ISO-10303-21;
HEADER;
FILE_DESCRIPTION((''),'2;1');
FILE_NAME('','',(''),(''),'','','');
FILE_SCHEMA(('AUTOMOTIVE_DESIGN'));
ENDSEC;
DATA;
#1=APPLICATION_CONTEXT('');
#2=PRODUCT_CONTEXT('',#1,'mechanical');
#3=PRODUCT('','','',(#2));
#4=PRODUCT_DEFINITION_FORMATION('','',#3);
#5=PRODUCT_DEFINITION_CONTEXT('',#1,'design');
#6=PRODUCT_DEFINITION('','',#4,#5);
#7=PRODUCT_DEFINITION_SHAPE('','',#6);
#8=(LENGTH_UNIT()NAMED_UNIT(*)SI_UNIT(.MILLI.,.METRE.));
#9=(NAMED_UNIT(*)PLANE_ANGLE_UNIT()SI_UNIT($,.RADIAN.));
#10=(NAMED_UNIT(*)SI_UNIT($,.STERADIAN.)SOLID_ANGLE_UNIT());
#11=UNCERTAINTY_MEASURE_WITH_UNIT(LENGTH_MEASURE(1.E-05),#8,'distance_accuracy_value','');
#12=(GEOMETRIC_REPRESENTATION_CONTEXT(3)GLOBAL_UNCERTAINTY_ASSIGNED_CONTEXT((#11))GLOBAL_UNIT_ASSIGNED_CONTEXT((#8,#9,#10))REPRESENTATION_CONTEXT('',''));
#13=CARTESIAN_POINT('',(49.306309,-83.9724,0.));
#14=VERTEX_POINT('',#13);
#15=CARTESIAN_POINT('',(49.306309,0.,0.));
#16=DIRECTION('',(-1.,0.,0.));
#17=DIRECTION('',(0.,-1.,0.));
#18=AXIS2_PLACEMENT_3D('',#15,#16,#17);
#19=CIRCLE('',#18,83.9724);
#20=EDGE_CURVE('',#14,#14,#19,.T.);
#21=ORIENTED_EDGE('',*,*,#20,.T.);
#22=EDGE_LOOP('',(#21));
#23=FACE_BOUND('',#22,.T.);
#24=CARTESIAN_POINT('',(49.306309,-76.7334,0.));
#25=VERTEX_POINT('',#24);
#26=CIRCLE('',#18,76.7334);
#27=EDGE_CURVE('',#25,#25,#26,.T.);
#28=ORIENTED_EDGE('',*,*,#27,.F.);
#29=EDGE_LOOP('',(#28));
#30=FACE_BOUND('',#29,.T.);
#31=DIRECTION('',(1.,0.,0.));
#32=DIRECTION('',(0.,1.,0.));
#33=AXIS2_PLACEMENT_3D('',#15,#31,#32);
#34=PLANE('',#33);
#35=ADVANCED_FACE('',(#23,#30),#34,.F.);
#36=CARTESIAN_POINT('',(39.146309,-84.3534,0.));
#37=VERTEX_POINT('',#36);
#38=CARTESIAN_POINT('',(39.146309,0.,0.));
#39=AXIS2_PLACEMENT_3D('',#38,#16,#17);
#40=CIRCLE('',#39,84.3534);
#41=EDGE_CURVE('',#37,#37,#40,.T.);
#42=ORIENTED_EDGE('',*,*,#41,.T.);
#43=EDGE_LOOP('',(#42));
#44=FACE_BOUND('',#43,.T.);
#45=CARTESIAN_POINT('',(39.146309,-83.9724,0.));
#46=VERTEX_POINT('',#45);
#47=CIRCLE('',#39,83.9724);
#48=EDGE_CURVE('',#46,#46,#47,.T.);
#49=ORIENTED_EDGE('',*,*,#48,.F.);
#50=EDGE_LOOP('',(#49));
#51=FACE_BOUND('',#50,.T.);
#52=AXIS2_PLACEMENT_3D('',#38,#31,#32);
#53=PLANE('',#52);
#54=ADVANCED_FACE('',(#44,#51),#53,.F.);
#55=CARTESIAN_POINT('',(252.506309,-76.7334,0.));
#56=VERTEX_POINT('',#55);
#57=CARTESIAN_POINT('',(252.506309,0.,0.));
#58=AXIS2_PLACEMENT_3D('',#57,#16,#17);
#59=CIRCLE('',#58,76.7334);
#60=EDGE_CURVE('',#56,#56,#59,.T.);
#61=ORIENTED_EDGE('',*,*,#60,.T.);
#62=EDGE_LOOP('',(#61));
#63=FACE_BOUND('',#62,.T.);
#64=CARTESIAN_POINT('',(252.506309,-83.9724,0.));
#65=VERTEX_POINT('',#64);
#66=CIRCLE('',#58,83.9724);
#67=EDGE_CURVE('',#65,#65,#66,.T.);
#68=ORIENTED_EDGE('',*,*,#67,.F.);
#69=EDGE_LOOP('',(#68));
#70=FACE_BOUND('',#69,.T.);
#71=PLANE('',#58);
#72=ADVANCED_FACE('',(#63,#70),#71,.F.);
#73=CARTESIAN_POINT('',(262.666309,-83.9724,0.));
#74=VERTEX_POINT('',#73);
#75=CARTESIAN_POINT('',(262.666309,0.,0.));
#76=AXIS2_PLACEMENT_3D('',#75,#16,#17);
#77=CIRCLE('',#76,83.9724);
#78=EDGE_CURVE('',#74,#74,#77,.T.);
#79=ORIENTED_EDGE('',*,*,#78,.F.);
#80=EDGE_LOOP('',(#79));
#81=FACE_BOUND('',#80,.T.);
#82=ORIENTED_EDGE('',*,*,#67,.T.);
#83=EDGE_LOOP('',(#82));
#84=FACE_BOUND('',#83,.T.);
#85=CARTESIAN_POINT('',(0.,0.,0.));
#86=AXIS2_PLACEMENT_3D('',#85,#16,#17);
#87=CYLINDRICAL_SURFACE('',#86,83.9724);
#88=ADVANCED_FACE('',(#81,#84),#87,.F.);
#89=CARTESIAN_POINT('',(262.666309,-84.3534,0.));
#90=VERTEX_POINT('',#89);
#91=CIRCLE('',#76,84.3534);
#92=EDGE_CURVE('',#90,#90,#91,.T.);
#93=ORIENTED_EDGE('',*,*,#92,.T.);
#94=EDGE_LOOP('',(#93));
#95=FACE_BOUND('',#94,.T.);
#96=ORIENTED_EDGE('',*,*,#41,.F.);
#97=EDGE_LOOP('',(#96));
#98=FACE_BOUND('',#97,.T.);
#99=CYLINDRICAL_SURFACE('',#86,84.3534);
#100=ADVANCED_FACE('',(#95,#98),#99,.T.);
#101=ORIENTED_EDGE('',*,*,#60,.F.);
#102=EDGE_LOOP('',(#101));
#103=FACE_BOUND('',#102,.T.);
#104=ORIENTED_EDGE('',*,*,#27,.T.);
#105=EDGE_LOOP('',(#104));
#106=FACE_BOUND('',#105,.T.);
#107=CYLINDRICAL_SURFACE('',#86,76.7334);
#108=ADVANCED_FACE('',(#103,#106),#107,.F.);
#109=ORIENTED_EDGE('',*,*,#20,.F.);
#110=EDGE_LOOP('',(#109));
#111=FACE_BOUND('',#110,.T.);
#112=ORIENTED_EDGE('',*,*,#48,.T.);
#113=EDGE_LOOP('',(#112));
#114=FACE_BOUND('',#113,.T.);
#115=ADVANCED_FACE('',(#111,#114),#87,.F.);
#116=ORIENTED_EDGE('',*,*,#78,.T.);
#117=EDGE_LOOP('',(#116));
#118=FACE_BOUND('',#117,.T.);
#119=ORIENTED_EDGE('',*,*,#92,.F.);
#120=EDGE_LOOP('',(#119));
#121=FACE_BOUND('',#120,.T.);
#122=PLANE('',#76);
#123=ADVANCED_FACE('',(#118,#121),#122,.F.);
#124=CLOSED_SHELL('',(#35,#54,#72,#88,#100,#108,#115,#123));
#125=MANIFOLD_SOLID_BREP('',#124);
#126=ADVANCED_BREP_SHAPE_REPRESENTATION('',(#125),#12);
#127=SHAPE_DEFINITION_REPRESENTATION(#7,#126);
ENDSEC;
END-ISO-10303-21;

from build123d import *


with BuildPart() as part:
    # Sketch1 → Revolve1 (revolve)
    with BuildSketch(Plane.XY, mode=Mode.PRIVATE) as revolve1_sk:
        Polygon((39.146309032, 83.9724), (49.306309032, 83.9724), (49.306309032, 76.7334), (252.506309032, 76.7334), (252.506309032, 83.9724), (262.666309032, 83.9724), (262.666309032, 84.3534), (39.146309032, 84.3534), align=None)
    revolve(revolve1_sk.sketch.rotate(Axis((0, 0, 0), (1, 0, 0)), 180), axis=Axis((0, 0, 0), (1, 0, 0)))


solid = part.part
